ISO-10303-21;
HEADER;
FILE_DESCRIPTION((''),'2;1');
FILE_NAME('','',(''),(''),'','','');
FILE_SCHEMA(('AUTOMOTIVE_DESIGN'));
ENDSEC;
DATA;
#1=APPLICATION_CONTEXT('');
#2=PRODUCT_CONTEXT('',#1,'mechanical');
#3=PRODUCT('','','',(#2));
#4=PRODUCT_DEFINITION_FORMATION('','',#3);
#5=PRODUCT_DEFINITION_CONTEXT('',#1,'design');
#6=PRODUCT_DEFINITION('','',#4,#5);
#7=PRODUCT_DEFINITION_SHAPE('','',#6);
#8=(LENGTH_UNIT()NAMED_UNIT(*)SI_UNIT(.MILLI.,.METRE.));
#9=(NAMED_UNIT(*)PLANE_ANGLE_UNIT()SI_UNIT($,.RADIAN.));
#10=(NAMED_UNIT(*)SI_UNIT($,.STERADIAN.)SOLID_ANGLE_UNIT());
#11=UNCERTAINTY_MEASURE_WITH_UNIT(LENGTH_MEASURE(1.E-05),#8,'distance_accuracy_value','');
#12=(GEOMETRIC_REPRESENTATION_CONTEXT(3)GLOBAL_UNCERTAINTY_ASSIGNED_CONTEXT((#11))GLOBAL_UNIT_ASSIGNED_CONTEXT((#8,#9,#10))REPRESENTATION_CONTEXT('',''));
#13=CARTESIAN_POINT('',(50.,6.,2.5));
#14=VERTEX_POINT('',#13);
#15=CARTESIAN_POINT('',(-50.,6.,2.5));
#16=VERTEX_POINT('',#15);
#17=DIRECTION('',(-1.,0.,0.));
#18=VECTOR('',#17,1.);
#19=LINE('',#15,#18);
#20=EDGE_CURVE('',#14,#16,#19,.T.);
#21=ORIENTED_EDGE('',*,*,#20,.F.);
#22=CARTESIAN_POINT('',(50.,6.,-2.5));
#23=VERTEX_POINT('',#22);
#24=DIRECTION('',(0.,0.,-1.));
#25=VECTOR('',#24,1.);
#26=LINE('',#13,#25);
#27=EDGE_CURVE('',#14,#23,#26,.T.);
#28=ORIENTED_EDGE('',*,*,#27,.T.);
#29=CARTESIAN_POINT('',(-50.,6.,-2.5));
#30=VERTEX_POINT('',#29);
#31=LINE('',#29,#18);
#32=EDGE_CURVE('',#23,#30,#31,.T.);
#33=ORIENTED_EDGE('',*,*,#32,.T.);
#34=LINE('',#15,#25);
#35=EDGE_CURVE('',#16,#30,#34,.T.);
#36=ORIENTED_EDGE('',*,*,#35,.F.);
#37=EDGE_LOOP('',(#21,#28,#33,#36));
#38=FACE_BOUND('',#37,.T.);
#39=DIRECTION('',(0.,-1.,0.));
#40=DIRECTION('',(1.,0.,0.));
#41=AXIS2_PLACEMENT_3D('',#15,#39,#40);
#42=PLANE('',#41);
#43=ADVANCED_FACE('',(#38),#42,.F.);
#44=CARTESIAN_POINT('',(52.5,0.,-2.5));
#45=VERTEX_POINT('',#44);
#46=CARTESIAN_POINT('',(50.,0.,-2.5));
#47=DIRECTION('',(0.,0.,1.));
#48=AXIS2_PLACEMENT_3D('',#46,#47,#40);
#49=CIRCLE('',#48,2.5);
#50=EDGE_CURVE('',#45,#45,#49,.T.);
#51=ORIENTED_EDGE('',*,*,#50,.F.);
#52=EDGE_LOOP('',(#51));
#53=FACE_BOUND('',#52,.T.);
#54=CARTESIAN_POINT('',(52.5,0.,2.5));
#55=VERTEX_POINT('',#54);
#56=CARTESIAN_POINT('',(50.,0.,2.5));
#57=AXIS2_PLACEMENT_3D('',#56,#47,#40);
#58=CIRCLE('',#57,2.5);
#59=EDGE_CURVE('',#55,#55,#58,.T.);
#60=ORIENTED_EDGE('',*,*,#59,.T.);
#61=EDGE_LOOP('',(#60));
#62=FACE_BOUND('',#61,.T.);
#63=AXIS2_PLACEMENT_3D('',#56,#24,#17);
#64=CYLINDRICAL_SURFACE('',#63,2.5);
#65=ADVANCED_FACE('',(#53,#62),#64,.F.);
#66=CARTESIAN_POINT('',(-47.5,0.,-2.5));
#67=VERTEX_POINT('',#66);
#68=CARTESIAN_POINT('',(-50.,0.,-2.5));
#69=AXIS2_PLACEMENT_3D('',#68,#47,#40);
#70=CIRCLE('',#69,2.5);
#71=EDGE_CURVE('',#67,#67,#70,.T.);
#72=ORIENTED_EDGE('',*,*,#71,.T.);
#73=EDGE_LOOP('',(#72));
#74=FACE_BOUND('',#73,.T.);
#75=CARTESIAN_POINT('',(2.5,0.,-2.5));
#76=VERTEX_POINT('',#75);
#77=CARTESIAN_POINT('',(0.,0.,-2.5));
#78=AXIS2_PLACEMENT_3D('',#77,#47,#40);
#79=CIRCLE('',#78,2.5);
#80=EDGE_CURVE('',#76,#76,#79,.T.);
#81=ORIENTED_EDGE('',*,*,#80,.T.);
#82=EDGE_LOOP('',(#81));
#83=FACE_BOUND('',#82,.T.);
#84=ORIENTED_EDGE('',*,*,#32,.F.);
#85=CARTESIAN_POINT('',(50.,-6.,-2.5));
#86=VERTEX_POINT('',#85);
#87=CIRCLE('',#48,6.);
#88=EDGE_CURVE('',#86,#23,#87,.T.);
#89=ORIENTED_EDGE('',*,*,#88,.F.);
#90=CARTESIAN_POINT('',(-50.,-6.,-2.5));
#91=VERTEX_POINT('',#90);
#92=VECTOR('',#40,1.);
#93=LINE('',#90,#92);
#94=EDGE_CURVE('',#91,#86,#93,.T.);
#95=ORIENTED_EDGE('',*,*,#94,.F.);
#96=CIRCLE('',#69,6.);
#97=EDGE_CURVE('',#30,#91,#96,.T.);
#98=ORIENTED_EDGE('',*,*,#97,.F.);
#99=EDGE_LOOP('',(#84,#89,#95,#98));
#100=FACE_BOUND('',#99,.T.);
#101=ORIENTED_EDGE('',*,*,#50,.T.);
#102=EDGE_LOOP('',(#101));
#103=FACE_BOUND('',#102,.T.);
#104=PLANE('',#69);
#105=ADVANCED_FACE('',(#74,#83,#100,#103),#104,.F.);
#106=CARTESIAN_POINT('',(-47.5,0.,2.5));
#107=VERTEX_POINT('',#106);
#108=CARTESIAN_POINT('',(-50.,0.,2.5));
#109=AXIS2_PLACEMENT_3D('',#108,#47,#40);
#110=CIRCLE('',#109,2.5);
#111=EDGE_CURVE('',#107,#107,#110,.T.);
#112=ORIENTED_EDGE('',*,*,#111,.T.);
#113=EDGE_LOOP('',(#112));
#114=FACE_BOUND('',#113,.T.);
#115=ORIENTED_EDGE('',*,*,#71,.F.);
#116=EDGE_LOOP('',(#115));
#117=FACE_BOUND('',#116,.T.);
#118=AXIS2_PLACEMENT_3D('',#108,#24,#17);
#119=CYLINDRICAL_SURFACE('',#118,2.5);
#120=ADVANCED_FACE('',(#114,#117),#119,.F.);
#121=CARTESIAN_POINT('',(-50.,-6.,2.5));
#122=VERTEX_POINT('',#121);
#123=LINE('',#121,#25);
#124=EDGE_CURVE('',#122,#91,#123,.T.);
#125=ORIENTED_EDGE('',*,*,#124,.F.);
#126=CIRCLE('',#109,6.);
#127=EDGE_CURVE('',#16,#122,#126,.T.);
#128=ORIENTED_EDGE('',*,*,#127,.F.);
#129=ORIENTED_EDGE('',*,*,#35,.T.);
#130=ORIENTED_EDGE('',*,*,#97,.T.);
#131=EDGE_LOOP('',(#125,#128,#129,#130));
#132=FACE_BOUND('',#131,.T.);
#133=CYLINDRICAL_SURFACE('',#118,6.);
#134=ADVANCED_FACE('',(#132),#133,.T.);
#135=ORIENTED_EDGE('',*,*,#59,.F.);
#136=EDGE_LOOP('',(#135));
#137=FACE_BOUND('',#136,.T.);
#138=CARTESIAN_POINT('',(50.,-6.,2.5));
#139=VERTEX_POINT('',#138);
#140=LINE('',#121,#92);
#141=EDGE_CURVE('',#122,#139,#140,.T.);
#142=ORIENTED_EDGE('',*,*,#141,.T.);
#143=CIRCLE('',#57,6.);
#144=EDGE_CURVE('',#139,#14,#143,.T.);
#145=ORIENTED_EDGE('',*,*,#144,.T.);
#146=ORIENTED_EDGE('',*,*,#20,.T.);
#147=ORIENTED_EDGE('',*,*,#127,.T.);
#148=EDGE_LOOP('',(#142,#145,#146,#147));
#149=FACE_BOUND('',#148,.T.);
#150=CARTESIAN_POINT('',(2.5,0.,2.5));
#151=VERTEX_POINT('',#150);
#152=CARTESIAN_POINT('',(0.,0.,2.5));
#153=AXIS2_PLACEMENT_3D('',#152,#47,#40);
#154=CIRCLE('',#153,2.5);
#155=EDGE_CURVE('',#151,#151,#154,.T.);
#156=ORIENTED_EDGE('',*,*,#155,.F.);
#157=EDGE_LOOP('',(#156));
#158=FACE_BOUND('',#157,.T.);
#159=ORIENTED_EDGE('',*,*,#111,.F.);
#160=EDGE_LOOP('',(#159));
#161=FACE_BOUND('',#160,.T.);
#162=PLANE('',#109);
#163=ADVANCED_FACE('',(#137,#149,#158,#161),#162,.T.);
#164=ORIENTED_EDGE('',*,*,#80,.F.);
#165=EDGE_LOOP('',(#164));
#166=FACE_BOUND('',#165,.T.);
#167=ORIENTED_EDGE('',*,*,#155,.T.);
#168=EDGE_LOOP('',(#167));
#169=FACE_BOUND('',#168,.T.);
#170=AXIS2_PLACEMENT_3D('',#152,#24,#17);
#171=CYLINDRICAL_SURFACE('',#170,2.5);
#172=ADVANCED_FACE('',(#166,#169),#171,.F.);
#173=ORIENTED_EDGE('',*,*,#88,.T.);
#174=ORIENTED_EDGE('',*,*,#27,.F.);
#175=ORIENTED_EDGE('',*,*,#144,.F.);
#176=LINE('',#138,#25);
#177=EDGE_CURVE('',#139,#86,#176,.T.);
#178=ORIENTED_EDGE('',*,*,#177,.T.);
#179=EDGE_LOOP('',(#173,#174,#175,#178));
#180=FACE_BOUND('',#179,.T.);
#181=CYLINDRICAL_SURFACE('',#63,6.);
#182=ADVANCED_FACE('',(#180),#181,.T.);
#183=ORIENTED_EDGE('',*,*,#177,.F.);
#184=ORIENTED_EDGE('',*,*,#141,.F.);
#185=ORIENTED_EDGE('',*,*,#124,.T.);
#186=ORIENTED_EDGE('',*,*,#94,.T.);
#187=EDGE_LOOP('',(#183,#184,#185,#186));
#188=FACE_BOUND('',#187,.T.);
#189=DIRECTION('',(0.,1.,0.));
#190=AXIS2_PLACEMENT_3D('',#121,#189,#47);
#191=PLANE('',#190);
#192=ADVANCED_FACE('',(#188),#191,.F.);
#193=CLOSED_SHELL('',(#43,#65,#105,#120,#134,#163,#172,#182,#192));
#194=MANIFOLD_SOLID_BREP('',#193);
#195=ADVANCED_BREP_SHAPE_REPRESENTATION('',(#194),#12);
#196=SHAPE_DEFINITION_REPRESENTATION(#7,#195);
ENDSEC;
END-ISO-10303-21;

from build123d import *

# Parameters (mm, degrees)
SKETCH1_R           = 2.5
BOSS_EXTRUDE1_DEPTH = 2.5


with BuildPart() as part:
    # Sketch1 → Boss-Extrude1 (new, symmetric)
    with BuildSketch(Plane.XY):
        with BuildLine():
            Line((-50, 6), (50, 6))
            ThreePointArc((50, 6), (56, 0), (50, -6))
            Line((50, -6), (-50, -6))
            ThreePointArc((-50, -6), (-56, 0), (-50, 6))
        make_face()
        with Locations((-50, 0)):
            Circle(SKETCH1_R, mode=Mode.SUBTRACT)
        with Locations((50, 0)):
            Circle(SKETCH1_R, mode=Mode.SUBTRACT)
        Circle(SKETCH1_R, mode=Mode.SUBTRACT)
    extrude(amount=BOSS_EXTRUDE1_DEPTH, both=True)


solid = part.part
